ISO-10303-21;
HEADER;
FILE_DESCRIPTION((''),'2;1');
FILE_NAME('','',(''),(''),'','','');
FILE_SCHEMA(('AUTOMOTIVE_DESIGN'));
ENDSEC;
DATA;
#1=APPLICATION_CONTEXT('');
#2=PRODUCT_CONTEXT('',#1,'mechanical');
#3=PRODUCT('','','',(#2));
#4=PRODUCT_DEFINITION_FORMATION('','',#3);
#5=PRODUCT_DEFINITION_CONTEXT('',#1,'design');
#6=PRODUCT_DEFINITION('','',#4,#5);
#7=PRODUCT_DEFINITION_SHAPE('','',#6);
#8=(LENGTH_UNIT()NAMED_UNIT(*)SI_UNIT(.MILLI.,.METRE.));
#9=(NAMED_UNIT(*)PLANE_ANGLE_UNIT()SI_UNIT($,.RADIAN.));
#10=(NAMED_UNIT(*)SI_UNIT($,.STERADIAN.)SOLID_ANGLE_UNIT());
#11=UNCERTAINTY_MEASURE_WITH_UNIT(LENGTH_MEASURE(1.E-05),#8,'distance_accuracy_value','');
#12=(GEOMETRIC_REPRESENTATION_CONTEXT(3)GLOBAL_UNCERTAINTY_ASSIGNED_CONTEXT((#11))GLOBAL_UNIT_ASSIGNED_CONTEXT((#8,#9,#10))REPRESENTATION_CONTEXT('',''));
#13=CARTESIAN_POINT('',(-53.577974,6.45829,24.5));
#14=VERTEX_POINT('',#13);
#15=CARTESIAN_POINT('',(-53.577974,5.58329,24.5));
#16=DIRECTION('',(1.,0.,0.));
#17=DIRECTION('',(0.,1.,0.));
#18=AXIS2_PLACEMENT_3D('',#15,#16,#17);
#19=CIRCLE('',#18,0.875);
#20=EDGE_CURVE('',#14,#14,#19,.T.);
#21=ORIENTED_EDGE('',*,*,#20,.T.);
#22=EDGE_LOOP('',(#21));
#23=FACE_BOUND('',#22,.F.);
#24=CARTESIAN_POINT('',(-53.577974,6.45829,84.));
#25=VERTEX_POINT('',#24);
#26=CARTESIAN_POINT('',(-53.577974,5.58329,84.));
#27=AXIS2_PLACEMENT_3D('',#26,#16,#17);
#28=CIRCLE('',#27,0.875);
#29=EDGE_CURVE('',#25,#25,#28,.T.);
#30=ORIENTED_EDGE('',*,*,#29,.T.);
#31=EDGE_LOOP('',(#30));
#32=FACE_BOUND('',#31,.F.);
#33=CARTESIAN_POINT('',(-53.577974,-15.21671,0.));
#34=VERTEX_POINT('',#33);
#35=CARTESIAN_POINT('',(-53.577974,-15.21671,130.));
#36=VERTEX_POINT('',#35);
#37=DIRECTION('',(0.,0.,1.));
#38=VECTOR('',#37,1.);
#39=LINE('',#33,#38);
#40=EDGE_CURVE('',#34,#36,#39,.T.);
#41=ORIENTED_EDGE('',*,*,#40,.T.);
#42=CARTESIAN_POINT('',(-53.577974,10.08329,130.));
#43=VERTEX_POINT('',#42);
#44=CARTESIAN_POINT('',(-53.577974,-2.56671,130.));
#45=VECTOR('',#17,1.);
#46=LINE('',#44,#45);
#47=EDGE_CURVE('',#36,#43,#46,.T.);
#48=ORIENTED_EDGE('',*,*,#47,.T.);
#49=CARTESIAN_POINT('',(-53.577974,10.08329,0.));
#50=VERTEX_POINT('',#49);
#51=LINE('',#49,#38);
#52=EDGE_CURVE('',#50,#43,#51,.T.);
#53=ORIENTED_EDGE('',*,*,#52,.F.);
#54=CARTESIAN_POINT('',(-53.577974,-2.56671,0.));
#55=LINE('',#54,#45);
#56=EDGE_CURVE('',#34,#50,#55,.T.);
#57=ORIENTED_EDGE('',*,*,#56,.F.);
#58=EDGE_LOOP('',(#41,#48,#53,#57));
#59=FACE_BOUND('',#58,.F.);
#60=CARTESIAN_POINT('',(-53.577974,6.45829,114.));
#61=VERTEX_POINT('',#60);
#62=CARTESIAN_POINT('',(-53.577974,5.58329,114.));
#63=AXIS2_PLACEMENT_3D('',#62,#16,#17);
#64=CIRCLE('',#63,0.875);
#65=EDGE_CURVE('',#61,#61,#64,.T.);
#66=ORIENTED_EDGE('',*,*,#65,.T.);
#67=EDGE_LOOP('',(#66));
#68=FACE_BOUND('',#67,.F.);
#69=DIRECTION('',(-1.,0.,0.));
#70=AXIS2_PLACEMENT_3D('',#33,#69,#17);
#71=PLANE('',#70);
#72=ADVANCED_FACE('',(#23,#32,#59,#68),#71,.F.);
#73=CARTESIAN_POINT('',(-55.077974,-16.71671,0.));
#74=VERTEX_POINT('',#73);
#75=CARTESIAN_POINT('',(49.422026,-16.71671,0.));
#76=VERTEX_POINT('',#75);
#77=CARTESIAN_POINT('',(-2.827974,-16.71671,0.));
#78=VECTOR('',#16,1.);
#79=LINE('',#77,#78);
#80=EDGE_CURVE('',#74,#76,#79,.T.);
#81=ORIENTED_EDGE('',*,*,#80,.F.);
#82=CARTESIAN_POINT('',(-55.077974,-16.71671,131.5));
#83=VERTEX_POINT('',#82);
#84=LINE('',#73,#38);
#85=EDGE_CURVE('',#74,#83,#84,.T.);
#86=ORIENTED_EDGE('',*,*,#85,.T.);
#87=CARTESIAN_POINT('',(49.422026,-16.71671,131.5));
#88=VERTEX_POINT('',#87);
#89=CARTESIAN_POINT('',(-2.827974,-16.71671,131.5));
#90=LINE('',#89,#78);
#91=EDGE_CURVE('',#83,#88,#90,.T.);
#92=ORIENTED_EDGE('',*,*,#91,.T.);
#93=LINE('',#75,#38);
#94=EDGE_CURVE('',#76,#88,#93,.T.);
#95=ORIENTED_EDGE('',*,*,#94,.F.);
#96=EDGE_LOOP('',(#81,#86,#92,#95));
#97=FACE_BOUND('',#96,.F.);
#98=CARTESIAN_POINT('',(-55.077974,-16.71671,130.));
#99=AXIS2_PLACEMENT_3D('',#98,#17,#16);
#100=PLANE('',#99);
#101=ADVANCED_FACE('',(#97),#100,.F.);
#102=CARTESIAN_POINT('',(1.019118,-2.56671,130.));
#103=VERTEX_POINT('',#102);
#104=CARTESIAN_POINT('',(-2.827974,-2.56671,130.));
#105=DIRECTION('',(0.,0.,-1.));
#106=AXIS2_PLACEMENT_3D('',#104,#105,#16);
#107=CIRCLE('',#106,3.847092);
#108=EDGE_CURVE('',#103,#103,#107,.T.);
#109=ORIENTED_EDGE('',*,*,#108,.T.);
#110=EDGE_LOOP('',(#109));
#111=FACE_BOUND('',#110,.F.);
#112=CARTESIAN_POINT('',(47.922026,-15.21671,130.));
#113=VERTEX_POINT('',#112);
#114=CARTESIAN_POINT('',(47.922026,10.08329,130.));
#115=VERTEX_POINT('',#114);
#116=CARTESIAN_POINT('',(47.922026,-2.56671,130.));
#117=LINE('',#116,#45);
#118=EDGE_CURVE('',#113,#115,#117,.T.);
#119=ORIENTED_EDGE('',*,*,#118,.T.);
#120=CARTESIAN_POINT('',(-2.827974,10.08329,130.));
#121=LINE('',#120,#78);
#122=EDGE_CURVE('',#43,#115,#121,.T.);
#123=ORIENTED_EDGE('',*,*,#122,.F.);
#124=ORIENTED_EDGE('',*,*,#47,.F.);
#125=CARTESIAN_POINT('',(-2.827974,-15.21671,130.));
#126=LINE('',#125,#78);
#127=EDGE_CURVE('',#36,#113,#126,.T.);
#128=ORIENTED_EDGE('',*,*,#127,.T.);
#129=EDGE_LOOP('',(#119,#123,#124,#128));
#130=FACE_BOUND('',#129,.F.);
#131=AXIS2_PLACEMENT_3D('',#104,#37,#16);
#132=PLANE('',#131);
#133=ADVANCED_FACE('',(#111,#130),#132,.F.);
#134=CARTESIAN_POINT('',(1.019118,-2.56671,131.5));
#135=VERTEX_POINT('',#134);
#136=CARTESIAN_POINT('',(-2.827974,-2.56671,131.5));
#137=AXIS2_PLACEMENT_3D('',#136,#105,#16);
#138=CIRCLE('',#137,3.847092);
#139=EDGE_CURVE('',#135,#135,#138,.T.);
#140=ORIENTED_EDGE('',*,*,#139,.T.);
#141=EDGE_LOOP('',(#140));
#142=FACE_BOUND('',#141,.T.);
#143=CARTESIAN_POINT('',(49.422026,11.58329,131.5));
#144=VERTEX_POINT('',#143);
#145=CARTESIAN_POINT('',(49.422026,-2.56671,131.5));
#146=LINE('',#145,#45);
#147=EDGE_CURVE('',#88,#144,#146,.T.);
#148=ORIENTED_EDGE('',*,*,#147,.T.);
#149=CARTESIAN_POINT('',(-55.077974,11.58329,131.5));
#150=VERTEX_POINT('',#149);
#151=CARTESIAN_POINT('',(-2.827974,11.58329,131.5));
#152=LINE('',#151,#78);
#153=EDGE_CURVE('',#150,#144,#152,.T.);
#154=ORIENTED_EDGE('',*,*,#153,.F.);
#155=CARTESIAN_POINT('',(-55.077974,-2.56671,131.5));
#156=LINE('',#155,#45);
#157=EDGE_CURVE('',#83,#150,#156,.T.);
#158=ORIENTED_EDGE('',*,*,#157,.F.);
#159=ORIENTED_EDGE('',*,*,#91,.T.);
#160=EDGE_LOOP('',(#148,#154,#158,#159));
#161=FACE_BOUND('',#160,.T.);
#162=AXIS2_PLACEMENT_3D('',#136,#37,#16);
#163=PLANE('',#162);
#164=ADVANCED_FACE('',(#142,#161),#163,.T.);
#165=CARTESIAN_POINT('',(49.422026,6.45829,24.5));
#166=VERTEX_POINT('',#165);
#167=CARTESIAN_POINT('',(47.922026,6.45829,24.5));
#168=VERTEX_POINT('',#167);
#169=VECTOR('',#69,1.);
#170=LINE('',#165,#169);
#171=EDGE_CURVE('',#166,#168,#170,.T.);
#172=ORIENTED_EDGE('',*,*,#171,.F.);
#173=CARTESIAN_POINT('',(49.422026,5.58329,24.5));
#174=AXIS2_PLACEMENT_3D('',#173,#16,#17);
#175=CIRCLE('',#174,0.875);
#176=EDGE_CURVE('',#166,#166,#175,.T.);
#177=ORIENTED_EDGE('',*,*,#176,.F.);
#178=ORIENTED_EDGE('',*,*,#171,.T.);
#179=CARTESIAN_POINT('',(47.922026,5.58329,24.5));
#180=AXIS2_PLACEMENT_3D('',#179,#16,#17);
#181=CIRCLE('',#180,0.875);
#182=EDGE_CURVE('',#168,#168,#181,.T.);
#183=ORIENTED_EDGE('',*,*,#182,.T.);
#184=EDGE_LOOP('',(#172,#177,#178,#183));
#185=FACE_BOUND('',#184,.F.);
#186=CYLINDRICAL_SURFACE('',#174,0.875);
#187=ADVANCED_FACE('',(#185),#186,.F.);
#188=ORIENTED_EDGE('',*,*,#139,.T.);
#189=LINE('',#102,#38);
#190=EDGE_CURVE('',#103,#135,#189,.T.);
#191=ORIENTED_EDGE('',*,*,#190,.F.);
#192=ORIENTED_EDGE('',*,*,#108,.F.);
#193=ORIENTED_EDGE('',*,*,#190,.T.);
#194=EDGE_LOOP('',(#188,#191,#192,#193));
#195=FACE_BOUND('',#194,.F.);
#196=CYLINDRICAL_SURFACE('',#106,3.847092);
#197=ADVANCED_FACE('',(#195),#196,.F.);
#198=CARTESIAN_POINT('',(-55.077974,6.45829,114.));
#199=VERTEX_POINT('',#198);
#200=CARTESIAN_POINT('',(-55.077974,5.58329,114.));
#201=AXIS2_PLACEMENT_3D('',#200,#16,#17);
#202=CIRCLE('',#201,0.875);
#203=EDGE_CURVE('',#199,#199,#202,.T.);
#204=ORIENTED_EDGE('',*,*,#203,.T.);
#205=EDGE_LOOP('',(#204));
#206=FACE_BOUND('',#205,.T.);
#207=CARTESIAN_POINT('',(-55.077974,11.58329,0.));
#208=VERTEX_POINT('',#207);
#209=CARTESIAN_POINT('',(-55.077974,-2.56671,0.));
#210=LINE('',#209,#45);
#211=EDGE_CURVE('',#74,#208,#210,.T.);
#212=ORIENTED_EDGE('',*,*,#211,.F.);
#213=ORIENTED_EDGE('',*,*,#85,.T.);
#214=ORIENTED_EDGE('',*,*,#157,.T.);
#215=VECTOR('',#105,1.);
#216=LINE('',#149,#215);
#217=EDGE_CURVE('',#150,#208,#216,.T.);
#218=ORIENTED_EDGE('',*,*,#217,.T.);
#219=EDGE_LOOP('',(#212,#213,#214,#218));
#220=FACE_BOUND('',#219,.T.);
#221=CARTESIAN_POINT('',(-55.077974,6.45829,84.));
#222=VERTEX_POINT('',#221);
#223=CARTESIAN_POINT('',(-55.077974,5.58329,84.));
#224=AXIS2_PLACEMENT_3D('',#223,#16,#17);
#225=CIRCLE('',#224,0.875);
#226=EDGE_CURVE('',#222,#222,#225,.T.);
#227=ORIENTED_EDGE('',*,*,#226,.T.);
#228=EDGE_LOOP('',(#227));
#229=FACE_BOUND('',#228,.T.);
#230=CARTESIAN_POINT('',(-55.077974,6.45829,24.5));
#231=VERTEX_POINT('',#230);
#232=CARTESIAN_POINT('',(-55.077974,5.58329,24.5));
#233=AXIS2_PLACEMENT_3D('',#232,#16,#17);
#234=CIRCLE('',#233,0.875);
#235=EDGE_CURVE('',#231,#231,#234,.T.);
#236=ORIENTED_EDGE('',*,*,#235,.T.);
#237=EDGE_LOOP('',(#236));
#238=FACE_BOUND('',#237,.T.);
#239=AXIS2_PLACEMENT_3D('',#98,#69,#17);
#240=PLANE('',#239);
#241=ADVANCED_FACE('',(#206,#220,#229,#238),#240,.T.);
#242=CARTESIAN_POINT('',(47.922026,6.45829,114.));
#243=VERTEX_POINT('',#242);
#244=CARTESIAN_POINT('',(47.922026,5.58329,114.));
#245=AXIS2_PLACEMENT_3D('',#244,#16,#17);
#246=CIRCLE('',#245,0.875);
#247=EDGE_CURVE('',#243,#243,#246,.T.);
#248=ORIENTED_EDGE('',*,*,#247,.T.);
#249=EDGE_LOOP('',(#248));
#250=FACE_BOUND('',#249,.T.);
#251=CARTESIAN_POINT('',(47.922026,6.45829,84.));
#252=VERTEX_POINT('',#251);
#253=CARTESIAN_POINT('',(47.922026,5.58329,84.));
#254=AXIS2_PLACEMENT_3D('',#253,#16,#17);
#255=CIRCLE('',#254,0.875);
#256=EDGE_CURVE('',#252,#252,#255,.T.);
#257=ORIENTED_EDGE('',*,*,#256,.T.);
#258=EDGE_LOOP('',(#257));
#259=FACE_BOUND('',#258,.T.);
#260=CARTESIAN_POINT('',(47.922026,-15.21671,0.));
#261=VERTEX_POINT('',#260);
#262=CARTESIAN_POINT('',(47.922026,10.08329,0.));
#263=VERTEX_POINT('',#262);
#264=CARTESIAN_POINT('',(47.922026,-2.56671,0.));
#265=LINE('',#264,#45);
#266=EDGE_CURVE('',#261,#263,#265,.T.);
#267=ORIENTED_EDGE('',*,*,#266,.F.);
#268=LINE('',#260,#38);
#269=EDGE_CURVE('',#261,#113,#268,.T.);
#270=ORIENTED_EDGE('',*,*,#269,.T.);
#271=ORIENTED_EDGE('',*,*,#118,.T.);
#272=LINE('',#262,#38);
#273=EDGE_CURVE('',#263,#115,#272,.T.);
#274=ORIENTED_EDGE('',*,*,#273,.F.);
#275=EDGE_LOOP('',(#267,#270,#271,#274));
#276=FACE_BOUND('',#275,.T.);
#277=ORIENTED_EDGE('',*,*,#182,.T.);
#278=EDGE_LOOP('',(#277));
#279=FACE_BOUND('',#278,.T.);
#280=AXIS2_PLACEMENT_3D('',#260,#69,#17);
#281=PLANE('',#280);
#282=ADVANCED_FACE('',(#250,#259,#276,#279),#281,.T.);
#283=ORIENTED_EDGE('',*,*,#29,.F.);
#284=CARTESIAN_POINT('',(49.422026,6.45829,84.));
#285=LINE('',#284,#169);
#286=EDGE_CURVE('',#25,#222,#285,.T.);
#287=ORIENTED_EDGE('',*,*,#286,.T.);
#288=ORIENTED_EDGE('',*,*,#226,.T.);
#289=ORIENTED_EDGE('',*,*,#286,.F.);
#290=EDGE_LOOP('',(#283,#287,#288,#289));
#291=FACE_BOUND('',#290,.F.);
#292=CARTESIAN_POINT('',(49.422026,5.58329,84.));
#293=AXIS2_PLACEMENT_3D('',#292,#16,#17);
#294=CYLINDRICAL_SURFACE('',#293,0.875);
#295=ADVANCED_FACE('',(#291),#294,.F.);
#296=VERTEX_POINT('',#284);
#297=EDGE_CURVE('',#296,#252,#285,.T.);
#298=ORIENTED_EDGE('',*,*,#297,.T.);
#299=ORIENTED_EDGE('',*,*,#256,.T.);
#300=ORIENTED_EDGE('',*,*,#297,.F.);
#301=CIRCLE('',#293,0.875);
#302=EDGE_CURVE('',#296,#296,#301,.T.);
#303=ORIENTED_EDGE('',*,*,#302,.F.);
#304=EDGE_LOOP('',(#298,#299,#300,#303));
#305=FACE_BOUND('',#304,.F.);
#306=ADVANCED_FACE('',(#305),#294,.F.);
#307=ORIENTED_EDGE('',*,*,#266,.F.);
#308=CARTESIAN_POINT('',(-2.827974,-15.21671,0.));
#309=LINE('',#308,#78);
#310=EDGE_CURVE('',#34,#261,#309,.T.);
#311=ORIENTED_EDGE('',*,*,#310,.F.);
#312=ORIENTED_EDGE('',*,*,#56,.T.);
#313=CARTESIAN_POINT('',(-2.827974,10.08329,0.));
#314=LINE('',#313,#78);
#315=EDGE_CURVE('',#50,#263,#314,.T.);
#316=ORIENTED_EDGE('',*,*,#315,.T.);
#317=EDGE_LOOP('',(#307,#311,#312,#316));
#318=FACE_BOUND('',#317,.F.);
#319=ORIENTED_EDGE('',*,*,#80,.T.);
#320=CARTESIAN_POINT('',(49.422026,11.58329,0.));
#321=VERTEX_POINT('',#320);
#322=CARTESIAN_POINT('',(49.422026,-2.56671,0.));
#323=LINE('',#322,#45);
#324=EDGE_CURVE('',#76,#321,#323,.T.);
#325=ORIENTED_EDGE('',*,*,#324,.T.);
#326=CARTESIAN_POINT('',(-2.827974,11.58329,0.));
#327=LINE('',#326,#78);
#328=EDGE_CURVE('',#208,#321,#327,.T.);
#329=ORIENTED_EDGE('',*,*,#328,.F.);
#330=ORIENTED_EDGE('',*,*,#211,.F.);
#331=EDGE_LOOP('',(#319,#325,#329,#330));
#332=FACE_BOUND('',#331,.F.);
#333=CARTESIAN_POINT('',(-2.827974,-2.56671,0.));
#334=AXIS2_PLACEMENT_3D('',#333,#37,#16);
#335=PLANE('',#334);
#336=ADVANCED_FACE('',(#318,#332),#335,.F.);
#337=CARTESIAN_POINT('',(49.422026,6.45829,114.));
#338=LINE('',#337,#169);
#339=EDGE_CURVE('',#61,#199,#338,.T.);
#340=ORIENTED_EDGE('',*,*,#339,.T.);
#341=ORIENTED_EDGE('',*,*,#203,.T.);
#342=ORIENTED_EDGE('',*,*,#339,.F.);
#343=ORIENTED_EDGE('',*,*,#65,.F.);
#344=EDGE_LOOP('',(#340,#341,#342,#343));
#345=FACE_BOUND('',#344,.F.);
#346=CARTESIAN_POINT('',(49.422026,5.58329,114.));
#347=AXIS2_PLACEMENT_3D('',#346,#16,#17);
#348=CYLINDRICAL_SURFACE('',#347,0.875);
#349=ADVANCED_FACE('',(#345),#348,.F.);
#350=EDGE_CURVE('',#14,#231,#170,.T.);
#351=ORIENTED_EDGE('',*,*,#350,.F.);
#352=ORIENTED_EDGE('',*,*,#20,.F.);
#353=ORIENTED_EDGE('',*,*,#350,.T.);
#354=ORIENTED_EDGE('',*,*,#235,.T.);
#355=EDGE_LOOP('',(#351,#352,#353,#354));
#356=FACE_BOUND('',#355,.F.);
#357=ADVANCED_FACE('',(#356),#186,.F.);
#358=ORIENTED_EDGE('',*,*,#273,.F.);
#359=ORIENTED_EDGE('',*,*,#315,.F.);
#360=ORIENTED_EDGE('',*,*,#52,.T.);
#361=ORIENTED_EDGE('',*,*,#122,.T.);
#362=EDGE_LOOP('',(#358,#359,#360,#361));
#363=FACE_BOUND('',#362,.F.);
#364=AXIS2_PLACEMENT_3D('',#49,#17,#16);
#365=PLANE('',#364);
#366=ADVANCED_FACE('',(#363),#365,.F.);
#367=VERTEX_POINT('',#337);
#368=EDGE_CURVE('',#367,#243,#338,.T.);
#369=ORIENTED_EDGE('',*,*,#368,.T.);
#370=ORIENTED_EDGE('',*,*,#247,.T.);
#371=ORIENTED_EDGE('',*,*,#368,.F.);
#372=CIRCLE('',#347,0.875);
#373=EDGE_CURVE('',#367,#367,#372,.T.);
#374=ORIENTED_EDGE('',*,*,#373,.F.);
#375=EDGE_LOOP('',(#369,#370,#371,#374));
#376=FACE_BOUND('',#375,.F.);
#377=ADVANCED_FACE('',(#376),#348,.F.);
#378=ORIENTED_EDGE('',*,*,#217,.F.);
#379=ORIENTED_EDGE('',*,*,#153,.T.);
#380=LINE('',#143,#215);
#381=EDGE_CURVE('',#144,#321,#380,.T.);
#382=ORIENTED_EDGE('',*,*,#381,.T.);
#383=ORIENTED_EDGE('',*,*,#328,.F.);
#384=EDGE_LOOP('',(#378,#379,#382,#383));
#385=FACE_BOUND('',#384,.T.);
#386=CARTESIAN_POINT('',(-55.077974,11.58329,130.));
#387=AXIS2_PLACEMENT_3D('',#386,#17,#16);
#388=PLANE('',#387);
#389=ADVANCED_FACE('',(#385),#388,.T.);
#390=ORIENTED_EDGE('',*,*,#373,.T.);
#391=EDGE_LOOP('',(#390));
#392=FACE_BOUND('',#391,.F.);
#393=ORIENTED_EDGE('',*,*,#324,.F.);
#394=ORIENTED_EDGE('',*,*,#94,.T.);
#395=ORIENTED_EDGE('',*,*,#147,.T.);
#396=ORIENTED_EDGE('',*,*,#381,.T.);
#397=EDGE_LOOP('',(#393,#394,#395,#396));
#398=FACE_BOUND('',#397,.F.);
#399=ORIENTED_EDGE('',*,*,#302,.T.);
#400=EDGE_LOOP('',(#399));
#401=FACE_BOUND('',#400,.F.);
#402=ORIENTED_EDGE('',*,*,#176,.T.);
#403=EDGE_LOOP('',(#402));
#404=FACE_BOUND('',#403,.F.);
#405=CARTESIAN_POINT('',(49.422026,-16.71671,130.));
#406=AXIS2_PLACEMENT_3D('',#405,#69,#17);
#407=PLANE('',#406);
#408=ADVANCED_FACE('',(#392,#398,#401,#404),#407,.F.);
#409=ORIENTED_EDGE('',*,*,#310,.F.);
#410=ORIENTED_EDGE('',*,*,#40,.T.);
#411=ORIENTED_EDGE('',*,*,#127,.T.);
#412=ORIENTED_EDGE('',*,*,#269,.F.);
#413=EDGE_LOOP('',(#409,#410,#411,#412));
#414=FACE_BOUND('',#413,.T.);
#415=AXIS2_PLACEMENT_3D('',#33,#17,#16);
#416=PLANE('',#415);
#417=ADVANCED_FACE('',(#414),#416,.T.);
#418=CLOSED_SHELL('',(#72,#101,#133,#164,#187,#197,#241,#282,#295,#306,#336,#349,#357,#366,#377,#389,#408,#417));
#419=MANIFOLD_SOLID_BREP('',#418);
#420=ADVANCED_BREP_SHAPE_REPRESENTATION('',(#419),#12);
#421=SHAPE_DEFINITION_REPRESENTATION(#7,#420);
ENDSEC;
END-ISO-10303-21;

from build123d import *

# Parameters (mm, degrees)
F0_W     = 104.5
F0_H     = 28.3
F0_W_2   = 101.5
F0_H_2   = 25.3
F1_DEPTH = 130
F2_R     = 0.875
F3_DEPTH = 130
F4_W     = 104.5
F4_H     = 28.3
F5_DEPTH = 1.5
F6_R     = 3.847092
F7_DEPTH = 3


with BuildPart() as f1:
    # F0 (on Top) → F1 (new body)
    with BuildSketch(Plane.XY):
        with Locations((-2.827974, -2.56671)):
            Rectangle(F0_W, F0_H)
        with Locations((-2.827974, -2.56671)):
            Rectangle(F0_W_2, F0_H_2, mode=Mode.SUBTRACT)
    extrude(amount=F1_DEPTH)

    # F2 (on face) → F3 (cut)
    with BuildSketch(Plane.YZ.offset(49.422026)):
        with Locations((5.58329, 114)):
            Circle(F2_R)
        with Locations((5.58329, 84)):
            Circle(F2_R)
        with Locations((5.58329, 24.5)):
            Circle(F2_R)
    extrude(amount=-F3_DEPTH, mode=Mode.SUBTRACT)

    # F4 (on face) → F5 (join)
    with BuildSketch(Plane.XY.offset(130)):
        with Locations((-2.827974, -2.56671)):
            Rectangle(F4_W, F4_H)
    extrude(amount=F5_DEPTH)

    # F6 (on face) → F7 (cut)
    with BuildSketch(Plane(origin=(0, 0, 130), x_dir=(1, 0, 0), z_dir=(0, 0, -1))):
        with Locations((-2.827974, 2.56671)):
            Circle(F6_R)
    extrude(amount=-F7_DEPTH, mode=Mode.SUBTRACT)


solid = f1.part
